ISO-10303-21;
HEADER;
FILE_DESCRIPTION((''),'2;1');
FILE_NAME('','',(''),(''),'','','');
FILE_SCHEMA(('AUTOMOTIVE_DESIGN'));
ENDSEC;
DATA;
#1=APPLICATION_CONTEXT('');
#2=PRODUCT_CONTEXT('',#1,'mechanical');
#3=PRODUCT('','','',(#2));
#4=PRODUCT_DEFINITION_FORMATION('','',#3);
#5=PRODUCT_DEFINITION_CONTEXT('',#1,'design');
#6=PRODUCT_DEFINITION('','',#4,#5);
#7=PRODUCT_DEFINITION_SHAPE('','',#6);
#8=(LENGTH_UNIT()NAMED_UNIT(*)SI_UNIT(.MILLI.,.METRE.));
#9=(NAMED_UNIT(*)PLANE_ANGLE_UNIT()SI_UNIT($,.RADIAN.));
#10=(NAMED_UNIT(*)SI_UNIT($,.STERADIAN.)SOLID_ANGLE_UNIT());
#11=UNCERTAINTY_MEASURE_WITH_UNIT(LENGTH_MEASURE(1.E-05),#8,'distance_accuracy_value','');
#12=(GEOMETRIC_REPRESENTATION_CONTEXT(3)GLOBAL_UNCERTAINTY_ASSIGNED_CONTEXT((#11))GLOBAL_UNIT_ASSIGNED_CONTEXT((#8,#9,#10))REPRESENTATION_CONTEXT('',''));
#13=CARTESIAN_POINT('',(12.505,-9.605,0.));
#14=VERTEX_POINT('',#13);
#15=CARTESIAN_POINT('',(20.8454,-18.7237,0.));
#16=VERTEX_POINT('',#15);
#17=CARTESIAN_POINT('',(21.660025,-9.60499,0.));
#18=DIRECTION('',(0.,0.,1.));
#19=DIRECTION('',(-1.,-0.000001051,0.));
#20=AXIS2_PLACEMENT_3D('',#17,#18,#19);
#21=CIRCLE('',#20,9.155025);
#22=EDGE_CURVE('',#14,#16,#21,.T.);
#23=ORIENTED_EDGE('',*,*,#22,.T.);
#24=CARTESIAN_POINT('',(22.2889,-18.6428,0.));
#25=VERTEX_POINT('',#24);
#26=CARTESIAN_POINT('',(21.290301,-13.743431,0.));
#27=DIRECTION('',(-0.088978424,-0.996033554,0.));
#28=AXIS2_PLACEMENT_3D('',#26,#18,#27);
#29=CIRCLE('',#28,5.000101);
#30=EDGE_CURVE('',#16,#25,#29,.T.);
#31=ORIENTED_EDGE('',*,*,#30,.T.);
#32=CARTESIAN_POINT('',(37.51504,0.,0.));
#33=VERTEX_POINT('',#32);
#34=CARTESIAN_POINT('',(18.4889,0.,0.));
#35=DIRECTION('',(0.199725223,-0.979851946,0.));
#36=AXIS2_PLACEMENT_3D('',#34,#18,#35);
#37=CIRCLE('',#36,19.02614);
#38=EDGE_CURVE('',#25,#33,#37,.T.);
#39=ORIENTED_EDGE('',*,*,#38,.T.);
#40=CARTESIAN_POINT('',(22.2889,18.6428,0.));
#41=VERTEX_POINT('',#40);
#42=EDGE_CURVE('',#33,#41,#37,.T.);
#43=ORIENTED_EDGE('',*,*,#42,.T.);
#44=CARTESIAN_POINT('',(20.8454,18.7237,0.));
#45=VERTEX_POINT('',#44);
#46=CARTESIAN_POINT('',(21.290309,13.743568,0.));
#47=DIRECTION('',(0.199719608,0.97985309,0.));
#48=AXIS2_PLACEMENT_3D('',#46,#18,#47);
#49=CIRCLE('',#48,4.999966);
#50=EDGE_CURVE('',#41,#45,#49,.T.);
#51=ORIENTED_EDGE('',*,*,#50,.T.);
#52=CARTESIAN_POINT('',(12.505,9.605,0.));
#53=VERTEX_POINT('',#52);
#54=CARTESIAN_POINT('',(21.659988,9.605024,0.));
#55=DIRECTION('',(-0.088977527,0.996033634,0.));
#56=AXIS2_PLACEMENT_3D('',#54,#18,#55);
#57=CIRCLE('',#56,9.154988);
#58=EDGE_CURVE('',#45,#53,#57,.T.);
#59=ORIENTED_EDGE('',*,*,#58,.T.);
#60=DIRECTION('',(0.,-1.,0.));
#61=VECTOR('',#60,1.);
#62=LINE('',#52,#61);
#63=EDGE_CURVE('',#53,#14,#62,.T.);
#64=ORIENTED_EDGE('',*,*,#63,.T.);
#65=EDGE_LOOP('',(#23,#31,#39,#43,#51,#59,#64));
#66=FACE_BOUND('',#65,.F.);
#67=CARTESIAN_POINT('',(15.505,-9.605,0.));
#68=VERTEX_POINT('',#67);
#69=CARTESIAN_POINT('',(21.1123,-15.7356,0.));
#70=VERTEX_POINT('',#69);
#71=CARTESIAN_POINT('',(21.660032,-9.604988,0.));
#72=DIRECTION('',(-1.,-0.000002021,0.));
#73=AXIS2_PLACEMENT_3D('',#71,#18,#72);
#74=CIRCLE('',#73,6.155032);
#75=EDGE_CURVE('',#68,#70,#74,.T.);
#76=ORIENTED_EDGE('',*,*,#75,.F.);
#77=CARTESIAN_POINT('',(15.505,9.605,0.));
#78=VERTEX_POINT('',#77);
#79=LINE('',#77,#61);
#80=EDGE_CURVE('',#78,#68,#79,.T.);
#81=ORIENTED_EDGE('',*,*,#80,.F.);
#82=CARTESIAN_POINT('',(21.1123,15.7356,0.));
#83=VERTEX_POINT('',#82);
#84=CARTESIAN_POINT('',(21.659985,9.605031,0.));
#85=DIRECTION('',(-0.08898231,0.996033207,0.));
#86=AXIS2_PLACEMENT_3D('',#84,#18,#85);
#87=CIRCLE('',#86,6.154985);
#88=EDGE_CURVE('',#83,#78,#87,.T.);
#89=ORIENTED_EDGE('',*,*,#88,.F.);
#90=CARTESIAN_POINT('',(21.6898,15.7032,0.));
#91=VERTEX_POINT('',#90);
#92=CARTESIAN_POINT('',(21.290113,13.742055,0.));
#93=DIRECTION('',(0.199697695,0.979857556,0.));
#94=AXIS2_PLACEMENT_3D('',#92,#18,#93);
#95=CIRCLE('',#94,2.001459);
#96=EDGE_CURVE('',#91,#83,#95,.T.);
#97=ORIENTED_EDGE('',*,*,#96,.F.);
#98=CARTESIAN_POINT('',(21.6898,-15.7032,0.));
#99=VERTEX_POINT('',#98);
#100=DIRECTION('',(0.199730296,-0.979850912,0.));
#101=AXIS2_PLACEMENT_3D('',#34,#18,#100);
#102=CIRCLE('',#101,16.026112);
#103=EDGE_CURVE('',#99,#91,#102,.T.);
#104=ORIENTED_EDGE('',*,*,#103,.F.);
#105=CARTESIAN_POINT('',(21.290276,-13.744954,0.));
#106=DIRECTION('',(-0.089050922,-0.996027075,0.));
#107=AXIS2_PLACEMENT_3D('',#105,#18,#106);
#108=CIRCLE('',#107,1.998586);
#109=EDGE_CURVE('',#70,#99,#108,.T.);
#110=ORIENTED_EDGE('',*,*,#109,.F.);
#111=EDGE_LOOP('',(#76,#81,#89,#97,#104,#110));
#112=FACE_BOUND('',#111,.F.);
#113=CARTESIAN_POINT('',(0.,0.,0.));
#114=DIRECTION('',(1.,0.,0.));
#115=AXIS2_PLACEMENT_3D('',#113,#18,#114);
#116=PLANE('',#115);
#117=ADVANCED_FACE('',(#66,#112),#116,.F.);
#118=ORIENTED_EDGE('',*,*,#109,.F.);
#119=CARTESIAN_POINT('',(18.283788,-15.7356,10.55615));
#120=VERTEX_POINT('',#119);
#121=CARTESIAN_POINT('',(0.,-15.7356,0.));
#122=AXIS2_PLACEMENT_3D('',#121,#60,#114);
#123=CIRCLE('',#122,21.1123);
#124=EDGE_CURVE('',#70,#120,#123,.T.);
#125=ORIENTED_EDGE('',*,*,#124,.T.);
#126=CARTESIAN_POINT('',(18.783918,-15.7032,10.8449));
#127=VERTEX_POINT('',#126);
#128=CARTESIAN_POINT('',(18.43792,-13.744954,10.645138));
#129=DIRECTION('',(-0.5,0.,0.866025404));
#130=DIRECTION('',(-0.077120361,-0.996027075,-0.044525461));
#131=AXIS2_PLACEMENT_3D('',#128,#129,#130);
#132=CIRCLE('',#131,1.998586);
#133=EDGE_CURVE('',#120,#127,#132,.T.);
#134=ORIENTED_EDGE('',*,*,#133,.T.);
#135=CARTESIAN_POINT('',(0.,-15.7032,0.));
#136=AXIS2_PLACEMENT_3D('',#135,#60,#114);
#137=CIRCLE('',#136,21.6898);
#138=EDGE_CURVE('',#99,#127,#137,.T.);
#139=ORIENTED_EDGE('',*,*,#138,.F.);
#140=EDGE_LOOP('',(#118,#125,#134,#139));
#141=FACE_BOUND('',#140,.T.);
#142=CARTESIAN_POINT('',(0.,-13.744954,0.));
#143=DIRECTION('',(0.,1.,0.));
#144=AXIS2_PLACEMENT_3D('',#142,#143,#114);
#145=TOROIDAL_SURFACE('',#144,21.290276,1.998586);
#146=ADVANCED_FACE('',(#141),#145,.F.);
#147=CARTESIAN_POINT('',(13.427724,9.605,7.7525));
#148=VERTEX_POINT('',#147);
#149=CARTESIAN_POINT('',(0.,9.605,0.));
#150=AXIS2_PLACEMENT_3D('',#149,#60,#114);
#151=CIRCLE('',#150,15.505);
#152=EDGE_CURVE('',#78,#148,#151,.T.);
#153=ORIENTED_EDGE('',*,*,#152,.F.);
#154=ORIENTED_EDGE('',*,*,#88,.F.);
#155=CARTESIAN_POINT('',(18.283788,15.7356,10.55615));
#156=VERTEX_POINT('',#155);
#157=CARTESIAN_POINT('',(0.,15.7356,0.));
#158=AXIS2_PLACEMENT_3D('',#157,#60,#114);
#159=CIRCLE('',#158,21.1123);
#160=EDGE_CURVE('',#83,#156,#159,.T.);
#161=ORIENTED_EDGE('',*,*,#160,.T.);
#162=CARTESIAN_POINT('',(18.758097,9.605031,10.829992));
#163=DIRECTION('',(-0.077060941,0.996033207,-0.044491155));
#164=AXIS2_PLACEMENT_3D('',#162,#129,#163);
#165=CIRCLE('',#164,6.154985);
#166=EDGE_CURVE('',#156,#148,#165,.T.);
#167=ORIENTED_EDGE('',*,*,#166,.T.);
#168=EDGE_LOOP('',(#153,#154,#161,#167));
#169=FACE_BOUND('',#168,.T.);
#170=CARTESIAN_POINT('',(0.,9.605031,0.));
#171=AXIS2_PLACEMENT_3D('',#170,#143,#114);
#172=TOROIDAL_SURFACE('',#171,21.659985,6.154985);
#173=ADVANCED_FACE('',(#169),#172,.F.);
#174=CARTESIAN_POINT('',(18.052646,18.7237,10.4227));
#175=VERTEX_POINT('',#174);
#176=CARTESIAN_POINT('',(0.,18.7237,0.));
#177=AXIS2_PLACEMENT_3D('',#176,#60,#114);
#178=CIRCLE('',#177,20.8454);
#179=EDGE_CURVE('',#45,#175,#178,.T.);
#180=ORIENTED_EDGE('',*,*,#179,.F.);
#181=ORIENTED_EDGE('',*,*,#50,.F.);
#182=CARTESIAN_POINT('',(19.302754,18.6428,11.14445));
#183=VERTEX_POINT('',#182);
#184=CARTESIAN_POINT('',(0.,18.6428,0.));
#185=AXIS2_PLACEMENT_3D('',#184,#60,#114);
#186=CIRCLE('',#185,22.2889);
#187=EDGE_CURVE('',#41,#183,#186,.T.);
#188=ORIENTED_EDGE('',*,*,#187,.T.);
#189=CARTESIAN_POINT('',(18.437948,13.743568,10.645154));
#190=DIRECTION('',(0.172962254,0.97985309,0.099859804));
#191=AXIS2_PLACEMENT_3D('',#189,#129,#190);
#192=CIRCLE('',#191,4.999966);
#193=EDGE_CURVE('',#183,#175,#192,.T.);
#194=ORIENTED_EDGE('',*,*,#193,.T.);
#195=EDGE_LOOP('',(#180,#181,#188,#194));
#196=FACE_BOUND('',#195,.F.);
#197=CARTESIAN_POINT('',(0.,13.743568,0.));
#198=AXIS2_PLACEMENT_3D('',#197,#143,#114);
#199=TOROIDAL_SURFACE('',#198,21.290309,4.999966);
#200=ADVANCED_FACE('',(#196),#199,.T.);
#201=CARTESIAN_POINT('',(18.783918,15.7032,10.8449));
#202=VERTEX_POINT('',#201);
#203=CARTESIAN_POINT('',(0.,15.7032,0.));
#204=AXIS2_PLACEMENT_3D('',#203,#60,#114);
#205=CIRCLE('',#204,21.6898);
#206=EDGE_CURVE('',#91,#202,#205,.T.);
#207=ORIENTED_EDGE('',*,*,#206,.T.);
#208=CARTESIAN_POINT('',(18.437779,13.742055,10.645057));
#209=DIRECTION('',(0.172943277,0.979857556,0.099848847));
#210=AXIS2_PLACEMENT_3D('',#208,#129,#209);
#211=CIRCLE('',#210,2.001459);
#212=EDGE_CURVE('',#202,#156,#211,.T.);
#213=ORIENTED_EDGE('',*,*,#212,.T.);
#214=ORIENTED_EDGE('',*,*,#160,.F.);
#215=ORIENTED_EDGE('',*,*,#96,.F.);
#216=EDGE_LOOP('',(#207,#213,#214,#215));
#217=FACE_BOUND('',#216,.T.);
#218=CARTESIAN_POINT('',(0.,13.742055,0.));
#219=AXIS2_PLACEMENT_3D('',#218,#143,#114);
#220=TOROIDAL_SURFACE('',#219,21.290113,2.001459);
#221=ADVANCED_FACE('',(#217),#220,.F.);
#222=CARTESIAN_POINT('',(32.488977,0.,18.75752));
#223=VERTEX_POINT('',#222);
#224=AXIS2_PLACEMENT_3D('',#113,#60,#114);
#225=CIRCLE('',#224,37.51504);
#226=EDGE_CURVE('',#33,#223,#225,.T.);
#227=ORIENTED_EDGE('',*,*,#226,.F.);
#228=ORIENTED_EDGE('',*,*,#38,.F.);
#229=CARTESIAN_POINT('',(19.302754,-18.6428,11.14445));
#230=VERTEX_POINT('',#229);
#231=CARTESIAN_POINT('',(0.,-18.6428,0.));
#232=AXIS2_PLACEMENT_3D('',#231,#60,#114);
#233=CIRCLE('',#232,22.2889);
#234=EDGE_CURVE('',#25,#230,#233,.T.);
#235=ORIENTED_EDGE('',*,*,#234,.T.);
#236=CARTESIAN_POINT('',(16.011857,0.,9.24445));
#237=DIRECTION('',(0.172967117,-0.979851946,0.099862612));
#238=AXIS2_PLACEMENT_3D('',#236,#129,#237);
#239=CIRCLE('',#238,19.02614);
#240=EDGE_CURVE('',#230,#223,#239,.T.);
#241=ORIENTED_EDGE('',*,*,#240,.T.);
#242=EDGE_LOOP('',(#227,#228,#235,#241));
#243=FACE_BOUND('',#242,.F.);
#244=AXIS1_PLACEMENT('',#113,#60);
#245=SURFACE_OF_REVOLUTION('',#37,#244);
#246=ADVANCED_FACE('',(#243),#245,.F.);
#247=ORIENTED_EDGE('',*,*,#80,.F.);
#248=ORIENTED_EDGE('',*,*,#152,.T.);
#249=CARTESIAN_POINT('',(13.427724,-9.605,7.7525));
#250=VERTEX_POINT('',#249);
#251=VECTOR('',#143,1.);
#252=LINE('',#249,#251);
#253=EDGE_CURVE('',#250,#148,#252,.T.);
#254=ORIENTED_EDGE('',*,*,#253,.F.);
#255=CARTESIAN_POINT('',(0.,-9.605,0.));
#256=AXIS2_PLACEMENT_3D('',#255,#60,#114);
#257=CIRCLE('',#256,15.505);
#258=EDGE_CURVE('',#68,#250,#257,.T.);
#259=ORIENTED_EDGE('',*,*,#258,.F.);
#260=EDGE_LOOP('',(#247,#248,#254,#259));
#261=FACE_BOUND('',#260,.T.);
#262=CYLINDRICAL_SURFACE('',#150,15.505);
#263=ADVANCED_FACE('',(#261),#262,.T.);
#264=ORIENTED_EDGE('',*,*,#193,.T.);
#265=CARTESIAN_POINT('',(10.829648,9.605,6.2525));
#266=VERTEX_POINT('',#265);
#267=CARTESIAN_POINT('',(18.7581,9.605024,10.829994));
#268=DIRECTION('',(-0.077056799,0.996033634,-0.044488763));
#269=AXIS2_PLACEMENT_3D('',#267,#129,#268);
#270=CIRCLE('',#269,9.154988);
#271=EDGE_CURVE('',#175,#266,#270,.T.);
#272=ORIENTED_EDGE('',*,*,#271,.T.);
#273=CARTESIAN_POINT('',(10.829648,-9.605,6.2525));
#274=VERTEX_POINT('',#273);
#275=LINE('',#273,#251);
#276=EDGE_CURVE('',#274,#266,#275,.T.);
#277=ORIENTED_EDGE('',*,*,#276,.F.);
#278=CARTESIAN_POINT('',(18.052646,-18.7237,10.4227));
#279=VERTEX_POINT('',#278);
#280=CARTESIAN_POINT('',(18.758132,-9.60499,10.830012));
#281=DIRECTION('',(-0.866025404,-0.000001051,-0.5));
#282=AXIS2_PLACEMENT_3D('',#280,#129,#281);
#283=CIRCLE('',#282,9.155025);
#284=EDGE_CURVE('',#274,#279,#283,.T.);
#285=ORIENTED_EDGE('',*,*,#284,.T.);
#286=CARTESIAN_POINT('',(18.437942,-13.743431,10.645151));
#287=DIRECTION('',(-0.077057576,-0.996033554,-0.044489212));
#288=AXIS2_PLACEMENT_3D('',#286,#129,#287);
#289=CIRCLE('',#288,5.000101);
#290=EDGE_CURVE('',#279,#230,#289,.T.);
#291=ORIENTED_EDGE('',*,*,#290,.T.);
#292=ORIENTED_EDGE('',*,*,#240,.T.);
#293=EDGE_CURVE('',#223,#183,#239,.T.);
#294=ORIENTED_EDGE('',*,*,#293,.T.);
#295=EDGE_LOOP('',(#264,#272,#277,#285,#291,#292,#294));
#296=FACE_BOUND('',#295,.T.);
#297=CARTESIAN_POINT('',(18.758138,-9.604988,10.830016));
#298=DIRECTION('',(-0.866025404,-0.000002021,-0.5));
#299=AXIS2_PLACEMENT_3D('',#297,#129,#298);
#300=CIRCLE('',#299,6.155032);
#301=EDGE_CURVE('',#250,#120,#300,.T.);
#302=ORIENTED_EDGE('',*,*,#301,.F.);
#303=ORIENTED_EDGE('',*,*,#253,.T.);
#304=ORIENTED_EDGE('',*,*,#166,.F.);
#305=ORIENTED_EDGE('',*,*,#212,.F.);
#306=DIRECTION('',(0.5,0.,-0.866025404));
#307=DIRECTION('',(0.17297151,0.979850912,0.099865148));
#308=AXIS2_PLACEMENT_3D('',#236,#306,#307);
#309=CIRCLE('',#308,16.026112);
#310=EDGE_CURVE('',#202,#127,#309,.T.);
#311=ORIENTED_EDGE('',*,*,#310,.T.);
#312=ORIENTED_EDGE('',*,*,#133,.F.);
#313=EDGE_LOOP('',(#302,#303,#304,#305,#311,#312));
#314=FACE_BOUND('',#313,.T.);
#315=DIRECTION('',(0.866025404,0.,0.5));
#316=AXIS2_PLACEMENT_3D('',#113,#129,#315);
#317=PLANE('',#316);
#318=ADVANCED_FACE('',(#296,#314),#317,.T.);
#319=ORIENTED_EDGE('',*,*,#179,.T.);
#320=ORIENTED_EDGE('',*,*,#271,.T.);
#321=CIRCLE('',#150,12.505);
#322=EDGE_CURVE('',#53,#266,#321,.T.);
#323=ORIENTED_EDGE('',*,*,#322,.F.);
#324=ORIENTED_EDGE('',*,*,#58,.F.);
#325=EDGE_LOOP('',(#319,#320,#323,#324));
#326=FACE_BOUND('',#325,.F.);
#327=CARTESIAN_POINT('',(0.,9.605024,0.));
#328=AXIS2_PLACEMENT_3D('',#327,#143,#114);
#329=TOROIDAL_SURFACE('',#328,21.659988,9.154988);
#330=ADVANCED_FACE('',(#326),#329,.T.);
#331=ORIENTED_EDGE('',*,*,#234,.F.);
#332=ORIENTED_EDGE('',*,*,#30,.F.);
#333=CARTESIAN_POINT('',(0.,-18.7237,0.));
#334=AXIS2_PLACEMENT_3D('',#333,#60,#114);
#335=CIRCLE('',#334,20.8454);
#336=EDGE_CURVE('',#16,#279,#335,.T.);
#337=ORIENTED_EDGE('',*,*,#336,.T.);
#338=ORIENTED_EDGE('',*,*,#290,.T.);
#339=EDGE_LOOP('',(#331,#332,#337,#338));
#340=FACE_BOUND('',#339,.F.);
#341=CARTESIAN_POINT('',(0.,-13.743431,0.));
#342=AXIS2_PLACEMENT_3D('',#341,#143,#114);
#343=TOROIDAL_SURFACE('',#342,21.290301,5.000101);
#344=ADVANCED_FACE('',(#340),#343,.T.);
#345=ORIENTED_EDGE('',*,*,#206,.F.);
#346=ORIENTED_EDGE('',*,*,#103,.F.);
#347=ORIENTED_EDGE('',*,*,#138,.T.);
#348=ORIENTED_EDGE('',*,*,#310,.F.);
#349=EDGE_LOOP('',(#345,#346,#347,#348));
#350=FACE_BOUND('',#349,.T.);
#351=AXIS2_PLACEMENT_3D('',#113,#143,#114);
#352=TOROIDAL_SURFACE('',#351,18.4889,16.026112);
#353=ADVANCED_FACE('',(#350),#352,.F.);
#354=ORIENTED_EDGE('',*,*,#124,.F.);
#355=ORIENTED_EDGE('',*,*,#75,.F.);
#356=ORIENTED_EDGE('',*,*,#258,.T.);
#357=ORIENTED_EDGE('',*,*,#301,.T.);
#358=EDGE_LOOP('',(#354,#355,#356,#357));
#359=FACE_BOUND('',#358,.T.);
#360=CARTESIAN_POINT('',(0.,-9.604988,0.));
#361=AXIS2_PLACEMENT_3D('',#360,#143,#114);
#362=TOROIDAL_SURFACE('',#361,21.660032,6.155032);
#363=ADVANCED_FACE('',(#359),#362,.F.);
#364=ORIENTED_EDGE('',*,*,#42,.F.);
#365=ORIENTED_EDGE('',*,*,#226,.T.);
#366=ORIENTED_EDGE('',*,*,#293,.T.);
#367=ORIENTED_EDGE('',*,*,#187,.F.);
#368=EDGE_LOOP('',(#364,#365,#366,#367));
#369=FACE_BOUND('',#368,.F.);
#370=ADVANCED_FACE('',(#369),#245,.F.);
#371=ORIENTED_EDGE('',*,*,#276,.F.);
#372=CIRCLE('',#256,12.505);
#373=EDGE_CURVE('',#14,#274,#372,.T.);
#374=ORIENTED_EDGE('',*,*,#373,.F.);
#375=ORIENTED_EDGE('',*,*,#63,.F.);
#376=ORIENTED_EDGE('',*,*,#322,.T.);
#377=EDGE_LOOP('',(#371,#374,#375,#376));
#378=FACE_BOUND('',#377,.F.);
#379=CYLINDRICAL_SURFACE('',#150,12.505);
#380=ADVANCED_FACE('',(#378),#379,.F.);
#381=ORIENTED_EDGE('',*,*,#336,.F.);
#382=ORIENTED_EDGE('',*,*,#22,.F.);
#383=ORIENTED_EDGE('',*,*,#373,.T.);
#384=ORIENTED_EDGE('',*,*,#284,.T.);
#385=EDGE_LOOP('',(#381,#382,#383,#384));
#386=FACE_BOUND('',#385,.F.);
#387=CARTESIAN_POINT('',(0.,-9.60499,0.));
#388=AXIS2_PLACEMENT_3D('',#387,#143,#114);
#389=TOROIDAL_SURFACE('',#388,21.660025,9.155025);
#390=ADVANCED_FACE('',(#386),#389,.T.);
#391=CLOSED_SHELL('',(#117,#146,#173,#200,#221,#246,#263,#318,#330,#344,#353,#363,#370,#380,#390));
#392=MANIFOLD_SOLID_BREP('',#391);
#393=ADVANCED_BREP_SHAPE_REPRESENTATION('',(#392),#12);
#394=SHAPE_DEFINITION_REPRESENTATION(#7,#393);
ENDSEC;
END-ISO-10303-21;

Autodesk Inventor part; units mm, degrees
ref_plane "Work Plane1" through (-7, 0, -29.5697) normal (1, 0, 0) x (0, 0, -1)
ref_plane "YZ Plane" through (0, 0, 0) normal (1, 0, 0) x (0, 1, 0)
ref_plane "XZ Plane" through (0, 0, 0) normal (0, 1, 0) x (-1, 0, 0)
sketch "Sketch1" plane through (0, 0, 0) normal (0, 0, 1) x (1, 0, 0)
  line L0 (0, 0) -> (0, 18.76) construction
  line L1 (12.505, 9.605) -> (12.505, -9.605)
  line L2 (21.66, 18.76) -> (21.66, -18.76) construction
  arc A0 (20.8454, 18.7237) -> (12.505, 9.605) centre (21.66, 9.605) ccw
  arc A1 (12.505, -9.605) -> (20.8454, -18.7237) centre (21.66, -9.605) ccw
  arc A2 (22.2889, -18.6428) -> (22.2889, 18.6428) centre (18.4889, 0) ccw
  line L3 (0, 0) -> (51.4073, 0)
  arc A3 (22.2889, 18.6428) -> (20.8454, 18.7237) centre (21.2903, 13.7435) ccw
  arc A4 (20.8454, -18.7237) -> (22.2889, -18.6428) centre (21.2903, -13.7435) ccw
  arc A5 (21.6898, 15.7032) -> (21.1123, 15.7356) centre (21.2903, 13.7435) ccw
  arc A6 (21.1123, 15.7356) -> (15.505, 9.605) centre (21.66, 9.605) ccw
  line L4 (15.505, 9.605) -> (15.505, -9.605)
  arc A7 (15.505, -9.605) -> (21.1123, -15.7356) centre (21.66, -9.605) ccw
  arc A8 (21.1123, -15.7356) -> (21.6898, -15.7032) centre (21.2903, -13.7435) ccw
  arc A9 (21.6898, -15.7032) -> (21.6898, 15.7032) centre (18.4889, 0) ccw
  point P0 (12.505, 0)
  point P1 (37.515, 0)
  point P2 (21.66, 0)
  dimension "MaxHeight" = 18.76
  dimension "FlatHeightx2" = 19.21
  dimension "ID" = 25.01
  dimension "OD" = 75.03
  dimension "d5" = 37.52
  dimension "RadAtPeak" = 21.66
  dimension "d90" = 5
  dimension "d97" = 3
revolve "Revolution1" add sketch "Sketch1" angle 30 about axis through (0, 0, 0) along (0, -1, 0) contours A0 A3 A2 L3 A9 A5 A6 L4 L1 | L3 L4 A7 A8 A9 A2 A4 A1 L1
sketch "Sketch13" plane through (12.505, -9.605, 0) normal (0, 0, -1) x (-1, 0, 0)
  arc A0 (0, 19.21) -> (-8.3404, 28.3287) centre (-9.155, 19.21) ccw projected
  arc A1 (-8.3404, 28.3287) -> (-9.7839, 28.2478) centre (-8.7853, 23.3485) ccw projected
  arc A2 (-9.7839, 28.2478) -> (-9.8497, 28.2342) centre (-5.9839, 9.605) ccw projected
  arc A3 (-9.7839, -9.0378) -> (-8.3404, -9.1187) centre (-8.7853, -4.1385) ccw projected
  arc A4 (-8.3404, -9.1187) -> (0, 0) centre (-9.155, 0) ccw projected
  line L0 (0, 19.21) -> (0, 0) projected
  line L1 (-9.155, 0) -> (3, 0)
  line L2 (3, 0) -> (3, 19.21)
  line L3 (3, 19.21) -> (-9.155, 19.21)
  line L4 (-9.155, 19.21) -> (-9.155, 0)
  arc A5 (-9.8497, 28.2342) -> (-9.8497, -9.0242) centre (-5.9839, 9.605) ccw projected
  point P0 (12.505, 9.605)
  point P1 (-6.673, 9.4777)
  dimension "d93" = 3
sketch "Sketch7" plane through (0, 0, 0) normal (0, 1, 0) x (-1, 0, 0)
  circle A0 centre (0, 0) radius 198.9616
sketch "Sketch8" plane through (0, 0, 0) normal (1, 0, 0) x (0, 1, 0)
  circle A0 centre (0, 0) radius 159.0195
sketch "Sketch9" plane through (0, 0, 0) normal (1, 0, 0) x (0, 0, -1)
  line L0 (74, 0) -> (35, 0) projected
  point P0 (0, 0)
  point P1 (-52.5, 0)
  point P2 (0, 0)
  point P3 (52.5, 0)
  dimension "d88" = 105
  dimension "d89" = 52.5
sketch "Sketch11" plane through (0, 0, 0) normal (1, 0, 0) x (0, 0, -1)
  arc A0 (-35, 25.9107) -> (-42.6927, 34.8921) centre (-44.0893, 25.9107) ccw projected
  line L0 (-35, 25.9107) -> (-35, 0) projected
  line L1 (-35, 0) -> (35, 0) projected
  arc A1 (-50.0415, 0) -> (-54.9585, 0) centre (-52.5, 0) ccw projected
  arc A2 (-50.0415, 0) -> (-54.9585, 0) centre (-37.5, 0) ccw projected
  arc A3 (-39.8678, 39.0634) -> (-73, 0) centre (-33.4058, 0) ccw
  arc A4 (-29.5697, 27.789) -> (-36.4391, 38.3935) centre (-44.0893, 25.9107) ccw
  line L2 (-29.5697, 27.789) -> (-29.5697, 0)
  line L3 (-35, 0) -> (35, 0) projected
  line L4 (-73, 0) -> (-29.5697, 0)
  arc A5 (-36.4391, 38.3935) -> (-39.8678, 39.0634) centre (-39.0518, 34.1304) ccw
  point P0 (0, 0)
  point P1 (-35, 0)
  point P2 (-29.5697, 0)
  point P3 (-54.9585, 0)
  point P4 (-50.0415, 0)
  dimension "d91" = 5
sketch "Sketch6" plane through (2.8986, 0, 1.6735) normal (-0.5, 0, 0.866) x (0, 1, 0)
  line L0 (-9.605, -9.1579) -> (9.605, -9.1579) projected
  arc A0 (-18.6428, -18.9419) -> (18.6428, -18.9419) centre (0, -15.1418) ccw projected
  arc A1 (-20.0253, -21.5516) -> (20.0253, -21.5516) centre (0, -15.1418) ccw
  line L1 (18.6428, -18.9419) -> (18.1205, -18.9419)
  arc A2 (20.0253, -21.5516) -> (18.1205, -18.9419) centre (18.1205, -20.9419) ccw
  line L2 (-18.1205, -18.9419) -> (-18.6428, -18.9419)
  arc A3 (-18.1205, -18.9419) -> (-20.0253, -21.5516) centre (-18.1205, -20.9419) ccw
  line L3 (-28.9637, 3.3471) -> (28.9637, 3.3471) projected
  point P0 (0, 3.3471)
  point P1 (-20.6799, -18.9419)
  point P2 (20.6799, -18.9419)
  point P3 (18.6292, -19.0077)
  point P4 (-18.6292, -19.0077)
  dimension "d47" = 2
  dimension "d48" = 2
  dimension "d49" = 2
equation "\"d5\" = 2 * MaxHeight"
equation "\"d63_Copy\" = 35"
properties part number "L_Filt1-Wedge" material "UHMW, White"
